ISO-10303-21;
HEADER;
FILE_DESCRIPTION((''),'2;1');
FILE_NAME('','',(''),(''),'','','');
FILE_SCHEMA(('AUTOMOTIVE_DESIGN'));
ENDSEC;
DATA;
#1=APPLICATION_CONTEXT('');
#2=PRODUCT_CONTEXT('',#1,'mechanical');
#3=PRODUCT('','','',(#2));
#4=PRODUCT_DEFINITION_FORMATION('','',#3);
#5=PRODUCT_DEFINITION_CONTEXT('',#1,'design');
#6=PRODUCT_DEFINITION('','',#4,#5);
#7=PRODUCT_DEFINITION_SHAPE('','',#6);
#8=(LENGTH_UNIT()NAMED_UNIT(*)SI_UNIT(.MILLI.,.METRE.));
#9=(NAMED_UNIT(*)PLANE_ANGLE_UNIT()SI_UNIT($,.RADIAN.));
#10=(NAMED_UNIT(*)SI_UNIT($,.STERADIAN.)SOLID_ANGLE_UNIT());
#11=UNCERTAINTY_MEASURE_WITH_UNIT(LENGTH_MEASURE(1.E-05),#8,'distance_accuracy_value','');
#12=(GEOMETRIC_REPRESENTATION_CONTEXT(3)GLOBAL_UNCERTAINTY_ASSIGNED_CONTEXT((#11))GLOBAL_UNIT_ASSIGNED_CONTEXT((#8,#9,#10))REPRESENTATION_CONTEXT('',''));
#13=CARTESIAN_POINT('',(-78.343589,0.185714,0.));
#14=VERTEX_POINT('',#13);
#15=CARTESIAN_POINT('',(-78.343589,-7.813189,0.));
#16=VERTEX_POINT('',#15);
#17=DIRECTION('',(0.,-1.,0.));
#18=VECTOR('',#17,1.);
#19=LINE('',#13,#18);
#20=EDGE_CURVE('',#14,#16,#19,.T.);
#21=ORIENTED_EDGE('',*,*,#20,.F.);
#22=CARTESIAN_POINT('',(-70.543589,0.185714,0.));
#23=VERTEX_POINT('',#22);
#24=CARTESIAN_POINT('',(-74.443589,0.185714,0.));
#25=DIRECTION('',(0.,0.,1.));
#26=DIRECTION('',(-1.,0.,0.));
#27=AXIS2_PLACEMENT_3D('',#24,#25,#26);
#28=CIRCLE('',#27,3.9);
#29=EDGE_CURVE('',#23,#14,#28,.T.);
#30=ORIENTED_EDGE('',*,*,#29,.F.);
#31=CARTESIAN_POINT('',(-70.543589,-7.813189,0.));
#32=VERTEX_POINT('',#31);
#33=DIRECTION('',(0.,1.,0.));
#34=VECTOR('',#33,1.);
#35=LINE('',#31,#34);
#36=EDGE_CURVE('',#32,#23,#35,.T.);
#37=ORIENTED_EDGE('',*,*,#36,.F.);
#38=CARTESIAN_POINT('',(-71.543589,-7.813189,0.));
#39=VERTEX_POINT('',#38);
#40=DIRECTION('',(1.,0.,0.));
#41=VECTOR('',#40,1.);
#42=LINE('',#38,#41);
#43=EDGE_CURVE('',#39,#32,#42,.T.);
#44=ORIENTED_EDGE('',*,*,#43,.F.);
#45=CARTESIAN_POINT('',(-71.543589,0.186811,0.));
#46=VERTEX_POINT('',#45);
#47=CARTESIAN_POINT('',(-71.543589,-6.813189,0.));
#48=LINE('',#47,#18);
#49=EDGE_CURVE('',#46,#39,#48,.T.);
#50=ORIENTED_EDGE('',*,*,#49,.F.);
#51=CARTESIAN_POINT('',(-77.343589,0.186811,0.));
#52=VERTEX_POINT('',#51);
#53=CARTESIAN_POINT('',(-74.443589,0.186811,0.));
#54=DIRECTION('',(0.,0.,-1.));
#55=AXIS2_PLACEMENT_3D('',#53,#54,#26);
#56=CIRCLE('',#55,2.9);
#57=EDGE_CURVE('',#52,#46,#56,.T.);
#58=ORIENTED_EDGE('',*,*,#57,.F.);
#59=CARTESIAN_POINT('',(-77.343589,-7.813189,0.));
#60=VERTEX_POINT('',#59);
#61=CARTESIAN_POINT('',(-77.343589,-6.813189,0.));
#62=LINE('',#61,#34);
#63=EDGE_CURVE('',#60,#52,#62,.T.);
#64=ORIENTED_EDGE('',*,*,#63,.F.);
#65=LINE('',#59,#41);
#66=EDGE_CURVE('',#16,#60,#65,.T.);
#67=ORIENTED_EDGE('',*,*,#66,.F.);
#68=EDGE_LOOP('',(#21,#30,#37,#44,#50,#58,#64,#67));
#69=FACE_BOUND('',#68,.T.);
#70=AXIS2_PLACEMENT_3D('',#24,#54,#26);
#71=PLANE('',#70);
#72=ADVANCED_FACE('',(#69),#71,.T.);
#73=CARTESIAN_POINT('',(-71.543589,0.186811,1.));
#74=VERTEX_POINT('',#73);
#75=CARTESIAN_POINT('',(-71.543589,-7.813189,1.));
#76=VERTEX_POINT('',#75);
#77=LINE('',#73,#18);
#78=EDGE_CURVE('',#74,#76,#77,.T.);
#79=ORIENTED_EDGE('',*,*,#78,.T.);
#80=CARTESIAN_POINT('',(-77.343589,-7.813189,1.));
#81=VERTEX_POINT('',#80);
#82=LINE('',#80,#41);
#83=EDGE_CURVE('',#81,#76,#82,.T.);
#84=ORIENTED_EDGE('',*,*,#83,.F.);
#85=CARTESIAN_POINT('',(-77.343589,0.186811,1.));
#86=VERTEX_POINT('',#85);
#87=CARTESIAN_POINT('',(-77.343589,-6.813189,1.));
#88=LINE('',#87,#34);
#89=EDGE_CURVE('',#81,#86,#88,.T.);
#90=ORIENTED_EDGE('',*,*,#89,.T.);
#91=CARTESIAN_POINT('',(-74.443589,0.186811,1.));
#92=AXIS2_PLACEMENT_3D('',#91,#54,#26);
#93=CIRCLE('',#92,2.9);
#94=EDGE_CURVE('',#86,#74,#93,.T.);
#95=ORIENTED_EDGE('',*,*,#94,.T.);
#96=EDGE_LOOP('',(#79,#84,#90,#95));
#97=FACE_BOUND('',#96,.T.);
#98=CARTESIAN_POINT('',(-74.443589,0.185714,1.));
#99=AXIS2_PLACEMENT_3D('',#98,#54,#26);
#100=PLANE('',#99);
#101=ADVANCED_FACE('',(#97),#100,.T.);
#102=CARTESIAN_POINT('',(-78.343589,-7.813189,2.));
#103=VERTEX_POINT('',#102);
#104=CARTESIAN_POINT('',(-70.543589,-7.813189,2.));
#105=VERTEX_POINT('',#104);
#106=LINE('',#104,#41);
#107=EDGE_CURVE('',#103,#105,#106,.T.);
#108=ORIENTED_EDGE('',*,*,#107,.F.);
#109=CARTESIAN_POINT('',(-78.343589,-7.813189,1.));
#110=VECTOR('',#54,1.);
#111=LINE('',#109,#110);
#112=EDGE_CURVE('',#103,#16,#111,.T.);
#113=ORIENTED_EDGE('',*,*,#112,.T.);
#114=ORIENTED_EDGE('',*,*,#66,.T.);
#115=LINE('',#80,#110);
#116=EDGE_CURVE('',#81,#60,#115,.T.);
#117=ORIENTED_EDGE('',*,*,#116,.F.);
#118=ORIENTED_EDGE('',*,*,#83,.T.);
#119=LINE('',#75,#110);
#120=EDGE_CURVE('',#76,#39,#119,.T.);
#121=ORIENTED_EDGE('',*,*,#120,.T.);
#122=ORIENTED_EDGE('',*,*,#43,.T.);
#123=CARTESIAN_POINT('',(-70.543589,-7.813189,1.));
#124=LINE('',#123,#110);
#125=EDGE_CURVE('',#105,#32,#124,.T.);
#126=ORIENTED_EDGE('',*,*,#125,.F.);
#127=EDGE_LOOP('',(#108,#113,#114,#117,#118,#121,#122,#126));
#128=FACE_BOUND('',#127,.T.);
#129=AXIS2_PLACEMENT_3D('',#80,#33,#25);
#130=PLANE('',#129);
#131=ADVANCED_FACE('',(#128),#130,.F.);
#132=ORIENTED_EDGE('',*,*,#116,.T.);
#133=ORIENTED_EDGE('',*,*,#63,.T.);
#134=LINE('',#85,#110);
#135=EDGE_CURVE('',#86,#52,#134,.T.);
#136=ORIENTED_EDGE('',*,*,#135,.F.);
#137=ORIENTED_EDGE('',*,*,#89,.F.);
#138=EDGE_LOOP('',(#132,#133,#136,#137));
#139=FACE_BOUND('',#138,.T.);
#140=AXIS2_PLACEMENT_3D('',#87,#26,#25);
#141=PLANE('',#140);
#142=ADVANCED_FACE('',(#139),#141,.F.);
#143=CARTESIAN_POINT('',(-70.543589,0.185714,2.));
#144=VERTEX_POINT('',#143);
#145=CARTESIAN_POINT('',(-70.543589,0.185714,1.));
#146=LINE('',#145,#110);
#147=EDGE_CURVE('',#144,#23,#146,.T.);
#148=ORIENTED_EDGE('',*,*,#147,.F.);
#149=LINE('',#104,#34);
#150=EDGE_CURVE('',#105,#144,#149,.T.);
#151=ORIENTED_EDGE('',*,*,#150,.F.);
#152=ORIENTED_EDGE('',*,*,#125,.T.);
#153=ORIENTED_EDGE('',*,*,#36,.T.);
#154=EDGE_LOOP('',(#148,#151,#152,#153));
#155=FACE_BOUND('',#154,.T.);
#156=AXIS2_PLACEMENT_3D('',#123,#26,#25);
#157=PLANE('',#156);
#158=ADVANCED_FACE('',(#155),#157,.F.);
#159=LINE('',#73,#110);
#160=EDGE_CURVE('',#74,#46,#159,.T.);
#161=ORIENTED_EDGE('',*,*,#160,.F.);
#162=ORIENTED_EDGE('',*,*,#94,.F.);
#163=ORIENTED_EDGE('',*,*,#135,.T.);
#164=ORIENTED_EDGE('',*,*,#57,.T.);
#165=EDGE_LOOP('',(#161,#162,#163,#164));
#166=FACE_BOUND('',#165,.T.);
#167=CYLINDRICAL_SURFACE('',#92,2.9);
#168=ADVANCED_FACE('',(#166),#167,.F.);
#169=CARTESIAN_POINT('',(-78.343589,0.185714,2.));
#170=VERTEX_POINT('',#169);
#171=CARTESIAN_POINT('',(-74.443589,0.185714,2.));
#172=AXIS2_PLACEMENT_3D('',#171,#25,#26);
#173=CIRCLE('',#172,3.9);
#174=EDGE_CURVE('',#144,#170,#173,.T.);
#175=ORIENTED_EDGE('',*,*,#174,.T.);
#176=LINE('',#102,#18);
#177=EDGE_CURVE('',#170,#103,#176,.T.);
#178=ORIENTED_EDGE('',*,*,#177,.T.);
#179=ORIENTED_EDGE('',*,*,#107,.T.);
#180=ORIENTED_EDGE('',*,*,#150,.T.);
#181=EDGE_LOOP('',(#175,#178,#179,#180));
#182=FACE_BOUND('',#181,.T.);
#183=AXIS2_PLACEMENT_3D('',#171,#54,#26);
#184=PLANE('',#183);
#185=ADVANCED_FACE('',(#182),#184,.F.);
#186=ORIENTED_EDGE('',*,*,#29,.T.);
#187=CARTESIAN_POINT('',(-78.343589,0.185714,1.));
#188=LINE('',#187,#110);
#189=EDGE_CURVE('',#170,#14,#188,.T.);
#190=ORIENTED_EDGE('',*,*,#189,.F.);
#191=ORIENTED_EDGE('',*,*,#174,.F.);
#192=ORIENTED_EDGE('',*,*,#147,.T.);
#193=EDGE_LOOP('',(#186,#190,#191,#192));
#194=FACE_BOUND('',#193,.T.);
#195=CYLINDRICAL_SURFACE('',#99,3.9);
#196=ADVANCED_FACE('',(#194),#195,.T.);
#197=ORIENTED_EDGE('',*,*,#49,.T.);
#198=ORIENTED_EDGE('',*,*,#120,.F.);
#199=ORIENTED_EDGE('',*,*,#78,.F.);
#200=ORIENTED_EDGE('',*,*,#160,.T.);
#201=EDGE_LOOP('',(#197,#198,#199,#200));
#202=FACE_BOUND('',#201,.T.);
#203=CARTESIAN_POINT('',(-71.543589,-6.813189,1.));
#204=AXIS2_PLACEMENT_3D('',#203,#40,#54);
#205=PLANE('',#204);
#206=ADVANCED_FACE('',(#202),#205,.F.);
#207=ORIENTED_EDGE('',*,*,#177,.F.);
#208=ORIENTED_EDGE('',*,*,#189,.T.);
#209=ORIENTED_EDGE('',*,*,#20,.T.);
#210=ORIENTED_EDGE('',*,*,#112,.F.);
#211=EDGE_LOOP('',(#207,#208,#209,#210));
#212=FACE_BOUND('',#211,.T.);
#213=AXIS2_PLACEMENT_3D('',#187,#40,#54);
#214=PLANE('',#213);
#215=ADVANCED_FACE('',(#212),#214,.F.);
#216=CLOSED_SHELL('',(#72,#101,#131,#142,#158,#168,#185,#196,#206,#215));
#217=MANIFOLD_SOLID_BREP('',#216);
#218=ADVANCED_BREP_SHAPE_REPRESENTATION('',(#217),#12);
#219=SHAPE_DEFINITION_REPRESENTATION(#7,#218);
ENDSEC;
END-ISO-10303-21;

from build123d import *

# Parameters (mm, degrees)
SALIENTE_EXTRUIR1_DEPTH = 1
SALIENTE_EXTRUIR2_DEPTH = 1


with BuildPart() as part:
    # Croquis1 → Saliente-Extruir1 (new body)
    with BuildSketch(Plane.XY):
        with BuildLine():
            Line((-77.34358908, -6.813189194), (-77.34358908, 0.186810806))
            ThreePointArc((-77.34358908, 0.186810806), (-74.44358908, 3.086810806), (-71.54358908, 0.186810806))
            Line((-71.54358908, 0.186810806), (-71.54358908, -6.813189194))
            Line((-71.54358908, -6.813189194), (-71.54358908, -7.813189194))
            Line((-71.54358908, -7.813189194), (-70.54358908, -7.813189194))
            Line((-70.54358908, -7.813189194), (-70.54358908, 0.185713536))
            ThreePointArc((-70.54358908, 0.185713536), (-74.44358908, 4.085713536), (-78.34358908, 0.185713536))
            Line((-78.34358908, 0.185713536), (-78.34358908, -7.813189194))
            Line((-78.34358908, -7.813189194), (-77.34358908, -7.813189194))
            Line((-77.34358908, -7.813189194), (-77.34358908, -6.813189194))
        make_face()
    extrude(amount=SALIENTE_EXTRUIR1_DEPTH)

    # Croquis3 → Saliente-Extruir2 (add)
    with BuildSketch(Plane.XY.offset(1)):
        with BuildLine():
            Line((-77.34358908, -7.813189194), (-78.34358908, -7.813189194))
            Line((-78.34358908, -7.813189194), (-78.34358908, 0.185713536))
            ThreePointArc((-78.34358908, 0.185713536), (-74.44358908, 4.085713536), (-70.54358908, 0.185713536))
            Line((-70.54358908, 0.185713536), (-70.54358908, -7.813189194))
            Line((-70.54358908, -7.813189194), (-77.34358908, -7.813189194))
        make_face()
    extrude(amount=SALIENTE_EXTRUIR2_DEPTH)


solid = part.part
